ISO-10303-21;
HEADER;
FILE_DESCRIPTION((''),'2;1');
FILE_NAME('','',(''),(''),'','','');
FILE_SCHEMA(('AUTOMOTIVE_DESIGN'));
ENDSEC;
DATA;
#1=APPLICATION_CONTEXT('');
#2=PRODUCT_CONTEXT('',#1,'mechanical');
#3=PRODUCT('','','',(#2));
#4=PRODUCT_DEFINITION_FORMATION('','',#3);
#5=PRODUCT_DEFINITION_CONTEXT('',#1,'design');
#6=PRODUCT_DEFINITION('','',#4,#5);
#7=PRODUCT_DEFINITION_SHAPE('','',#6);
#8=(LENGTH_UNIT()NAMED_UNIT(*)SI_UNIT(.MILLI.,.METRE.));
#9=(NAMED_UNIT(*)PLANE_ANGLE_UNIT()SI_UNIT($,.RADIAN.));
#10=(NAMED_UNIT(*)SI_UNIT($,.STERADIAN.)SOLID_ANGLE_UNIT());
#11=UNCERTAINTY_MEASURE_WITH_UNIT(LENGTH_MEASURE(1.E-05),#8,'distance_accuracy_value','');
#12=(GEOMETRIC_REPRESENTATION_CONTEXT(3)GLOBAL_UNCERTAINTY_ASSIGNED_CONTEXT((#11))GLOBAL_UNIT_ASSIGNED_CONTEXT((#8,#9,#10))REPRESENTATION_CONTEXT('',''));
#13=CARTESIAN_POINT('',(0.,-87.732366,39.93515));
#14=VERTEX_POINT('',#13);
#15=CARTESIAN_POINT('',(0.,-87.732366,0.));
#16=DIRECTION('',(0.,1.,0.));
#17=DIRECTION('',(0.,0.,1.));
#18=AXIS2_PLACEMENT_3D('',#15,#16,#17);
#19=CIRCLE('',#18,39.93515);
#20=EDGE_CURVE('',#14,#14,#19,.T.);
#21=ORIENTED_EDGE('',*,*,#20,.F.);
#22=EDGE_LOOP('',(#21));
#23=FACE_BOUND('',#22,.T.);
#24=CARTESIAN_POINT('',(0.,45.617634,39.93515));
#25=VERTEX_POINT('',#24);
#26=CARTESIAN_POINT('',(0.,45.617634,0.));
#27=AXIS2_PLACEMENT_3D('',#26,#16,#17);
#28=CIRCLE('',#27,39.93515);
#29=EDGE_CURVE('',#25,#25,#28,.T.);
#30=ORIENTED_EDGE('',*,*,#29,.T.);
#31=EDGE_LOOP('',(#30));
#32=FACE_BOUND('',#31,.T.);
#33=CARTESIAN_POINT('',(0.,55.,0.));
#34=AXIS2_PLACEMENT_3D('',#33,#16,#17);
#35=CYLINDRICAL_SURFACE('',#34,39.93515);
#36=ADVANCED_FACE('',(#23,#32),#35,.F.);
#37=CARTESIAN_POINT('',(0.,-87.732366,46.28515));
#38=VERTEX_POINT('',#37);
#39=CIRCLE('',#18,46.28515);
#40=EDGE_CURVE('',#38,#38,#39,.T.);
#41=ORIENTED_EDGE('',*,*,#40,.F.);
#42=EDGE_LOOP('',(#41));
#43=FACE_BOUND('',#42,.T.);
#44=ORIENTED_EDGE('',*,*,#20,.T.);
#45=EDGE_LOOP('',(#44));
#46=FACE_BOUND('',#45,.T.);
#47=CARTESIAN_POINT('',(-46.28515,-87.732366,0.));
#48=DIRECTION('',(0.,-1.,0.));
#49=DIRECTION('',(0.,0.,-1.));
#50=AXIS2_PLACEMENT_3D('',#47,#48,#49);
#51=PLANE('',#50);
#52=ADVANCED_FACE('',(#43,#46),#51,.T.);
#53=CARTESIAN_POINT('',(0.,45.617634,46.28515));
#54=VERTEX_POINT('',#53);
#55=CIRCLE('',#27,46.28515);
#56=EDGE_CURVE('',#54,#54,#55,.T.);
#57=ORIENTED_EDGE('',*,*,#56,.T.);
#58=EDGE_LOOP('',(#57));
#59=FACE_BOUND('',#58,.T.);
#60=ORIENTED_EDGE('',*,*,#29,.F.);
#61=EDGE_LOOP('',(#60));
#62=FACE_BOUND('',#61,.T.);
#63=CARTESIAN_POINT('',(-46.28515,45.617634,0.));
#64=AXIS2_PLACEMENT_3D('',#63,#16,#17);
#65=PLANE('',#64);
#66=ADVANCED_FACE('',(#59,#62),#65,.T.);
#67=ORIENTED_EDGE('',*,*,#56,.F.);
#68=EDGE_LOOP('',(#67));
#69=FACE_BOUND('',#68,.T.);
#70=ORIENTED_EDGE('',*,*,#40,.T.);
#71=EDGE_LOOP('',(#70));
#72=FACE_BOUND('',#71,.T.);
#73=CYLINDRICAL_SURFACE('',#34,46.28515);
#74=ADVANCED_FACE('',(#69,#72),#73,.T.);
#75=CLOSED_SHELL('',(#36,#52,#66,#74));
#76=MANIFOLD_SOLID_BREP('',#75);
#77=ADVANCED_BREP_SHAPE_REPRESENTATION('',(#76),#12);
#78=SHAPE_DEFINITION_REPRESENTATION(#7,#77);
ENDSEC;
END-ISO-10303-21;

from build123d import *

# Parameters (mm, degrees)
SKETCH1_W = 6.35
SKETCH1_H = 133.35


with BuildPart() as part:
    # Sketch1 → Revolve1 (revolve)
    with BuildSketch(Plane.XY):
        with Locations((-43.11015, -21.057365567)):
            Rectangle(SKETCH1_W, SKETCH1_H)
    revolve(axis=Axis((0, 55, 0), (0, -1, 0)))


solid = part.part
